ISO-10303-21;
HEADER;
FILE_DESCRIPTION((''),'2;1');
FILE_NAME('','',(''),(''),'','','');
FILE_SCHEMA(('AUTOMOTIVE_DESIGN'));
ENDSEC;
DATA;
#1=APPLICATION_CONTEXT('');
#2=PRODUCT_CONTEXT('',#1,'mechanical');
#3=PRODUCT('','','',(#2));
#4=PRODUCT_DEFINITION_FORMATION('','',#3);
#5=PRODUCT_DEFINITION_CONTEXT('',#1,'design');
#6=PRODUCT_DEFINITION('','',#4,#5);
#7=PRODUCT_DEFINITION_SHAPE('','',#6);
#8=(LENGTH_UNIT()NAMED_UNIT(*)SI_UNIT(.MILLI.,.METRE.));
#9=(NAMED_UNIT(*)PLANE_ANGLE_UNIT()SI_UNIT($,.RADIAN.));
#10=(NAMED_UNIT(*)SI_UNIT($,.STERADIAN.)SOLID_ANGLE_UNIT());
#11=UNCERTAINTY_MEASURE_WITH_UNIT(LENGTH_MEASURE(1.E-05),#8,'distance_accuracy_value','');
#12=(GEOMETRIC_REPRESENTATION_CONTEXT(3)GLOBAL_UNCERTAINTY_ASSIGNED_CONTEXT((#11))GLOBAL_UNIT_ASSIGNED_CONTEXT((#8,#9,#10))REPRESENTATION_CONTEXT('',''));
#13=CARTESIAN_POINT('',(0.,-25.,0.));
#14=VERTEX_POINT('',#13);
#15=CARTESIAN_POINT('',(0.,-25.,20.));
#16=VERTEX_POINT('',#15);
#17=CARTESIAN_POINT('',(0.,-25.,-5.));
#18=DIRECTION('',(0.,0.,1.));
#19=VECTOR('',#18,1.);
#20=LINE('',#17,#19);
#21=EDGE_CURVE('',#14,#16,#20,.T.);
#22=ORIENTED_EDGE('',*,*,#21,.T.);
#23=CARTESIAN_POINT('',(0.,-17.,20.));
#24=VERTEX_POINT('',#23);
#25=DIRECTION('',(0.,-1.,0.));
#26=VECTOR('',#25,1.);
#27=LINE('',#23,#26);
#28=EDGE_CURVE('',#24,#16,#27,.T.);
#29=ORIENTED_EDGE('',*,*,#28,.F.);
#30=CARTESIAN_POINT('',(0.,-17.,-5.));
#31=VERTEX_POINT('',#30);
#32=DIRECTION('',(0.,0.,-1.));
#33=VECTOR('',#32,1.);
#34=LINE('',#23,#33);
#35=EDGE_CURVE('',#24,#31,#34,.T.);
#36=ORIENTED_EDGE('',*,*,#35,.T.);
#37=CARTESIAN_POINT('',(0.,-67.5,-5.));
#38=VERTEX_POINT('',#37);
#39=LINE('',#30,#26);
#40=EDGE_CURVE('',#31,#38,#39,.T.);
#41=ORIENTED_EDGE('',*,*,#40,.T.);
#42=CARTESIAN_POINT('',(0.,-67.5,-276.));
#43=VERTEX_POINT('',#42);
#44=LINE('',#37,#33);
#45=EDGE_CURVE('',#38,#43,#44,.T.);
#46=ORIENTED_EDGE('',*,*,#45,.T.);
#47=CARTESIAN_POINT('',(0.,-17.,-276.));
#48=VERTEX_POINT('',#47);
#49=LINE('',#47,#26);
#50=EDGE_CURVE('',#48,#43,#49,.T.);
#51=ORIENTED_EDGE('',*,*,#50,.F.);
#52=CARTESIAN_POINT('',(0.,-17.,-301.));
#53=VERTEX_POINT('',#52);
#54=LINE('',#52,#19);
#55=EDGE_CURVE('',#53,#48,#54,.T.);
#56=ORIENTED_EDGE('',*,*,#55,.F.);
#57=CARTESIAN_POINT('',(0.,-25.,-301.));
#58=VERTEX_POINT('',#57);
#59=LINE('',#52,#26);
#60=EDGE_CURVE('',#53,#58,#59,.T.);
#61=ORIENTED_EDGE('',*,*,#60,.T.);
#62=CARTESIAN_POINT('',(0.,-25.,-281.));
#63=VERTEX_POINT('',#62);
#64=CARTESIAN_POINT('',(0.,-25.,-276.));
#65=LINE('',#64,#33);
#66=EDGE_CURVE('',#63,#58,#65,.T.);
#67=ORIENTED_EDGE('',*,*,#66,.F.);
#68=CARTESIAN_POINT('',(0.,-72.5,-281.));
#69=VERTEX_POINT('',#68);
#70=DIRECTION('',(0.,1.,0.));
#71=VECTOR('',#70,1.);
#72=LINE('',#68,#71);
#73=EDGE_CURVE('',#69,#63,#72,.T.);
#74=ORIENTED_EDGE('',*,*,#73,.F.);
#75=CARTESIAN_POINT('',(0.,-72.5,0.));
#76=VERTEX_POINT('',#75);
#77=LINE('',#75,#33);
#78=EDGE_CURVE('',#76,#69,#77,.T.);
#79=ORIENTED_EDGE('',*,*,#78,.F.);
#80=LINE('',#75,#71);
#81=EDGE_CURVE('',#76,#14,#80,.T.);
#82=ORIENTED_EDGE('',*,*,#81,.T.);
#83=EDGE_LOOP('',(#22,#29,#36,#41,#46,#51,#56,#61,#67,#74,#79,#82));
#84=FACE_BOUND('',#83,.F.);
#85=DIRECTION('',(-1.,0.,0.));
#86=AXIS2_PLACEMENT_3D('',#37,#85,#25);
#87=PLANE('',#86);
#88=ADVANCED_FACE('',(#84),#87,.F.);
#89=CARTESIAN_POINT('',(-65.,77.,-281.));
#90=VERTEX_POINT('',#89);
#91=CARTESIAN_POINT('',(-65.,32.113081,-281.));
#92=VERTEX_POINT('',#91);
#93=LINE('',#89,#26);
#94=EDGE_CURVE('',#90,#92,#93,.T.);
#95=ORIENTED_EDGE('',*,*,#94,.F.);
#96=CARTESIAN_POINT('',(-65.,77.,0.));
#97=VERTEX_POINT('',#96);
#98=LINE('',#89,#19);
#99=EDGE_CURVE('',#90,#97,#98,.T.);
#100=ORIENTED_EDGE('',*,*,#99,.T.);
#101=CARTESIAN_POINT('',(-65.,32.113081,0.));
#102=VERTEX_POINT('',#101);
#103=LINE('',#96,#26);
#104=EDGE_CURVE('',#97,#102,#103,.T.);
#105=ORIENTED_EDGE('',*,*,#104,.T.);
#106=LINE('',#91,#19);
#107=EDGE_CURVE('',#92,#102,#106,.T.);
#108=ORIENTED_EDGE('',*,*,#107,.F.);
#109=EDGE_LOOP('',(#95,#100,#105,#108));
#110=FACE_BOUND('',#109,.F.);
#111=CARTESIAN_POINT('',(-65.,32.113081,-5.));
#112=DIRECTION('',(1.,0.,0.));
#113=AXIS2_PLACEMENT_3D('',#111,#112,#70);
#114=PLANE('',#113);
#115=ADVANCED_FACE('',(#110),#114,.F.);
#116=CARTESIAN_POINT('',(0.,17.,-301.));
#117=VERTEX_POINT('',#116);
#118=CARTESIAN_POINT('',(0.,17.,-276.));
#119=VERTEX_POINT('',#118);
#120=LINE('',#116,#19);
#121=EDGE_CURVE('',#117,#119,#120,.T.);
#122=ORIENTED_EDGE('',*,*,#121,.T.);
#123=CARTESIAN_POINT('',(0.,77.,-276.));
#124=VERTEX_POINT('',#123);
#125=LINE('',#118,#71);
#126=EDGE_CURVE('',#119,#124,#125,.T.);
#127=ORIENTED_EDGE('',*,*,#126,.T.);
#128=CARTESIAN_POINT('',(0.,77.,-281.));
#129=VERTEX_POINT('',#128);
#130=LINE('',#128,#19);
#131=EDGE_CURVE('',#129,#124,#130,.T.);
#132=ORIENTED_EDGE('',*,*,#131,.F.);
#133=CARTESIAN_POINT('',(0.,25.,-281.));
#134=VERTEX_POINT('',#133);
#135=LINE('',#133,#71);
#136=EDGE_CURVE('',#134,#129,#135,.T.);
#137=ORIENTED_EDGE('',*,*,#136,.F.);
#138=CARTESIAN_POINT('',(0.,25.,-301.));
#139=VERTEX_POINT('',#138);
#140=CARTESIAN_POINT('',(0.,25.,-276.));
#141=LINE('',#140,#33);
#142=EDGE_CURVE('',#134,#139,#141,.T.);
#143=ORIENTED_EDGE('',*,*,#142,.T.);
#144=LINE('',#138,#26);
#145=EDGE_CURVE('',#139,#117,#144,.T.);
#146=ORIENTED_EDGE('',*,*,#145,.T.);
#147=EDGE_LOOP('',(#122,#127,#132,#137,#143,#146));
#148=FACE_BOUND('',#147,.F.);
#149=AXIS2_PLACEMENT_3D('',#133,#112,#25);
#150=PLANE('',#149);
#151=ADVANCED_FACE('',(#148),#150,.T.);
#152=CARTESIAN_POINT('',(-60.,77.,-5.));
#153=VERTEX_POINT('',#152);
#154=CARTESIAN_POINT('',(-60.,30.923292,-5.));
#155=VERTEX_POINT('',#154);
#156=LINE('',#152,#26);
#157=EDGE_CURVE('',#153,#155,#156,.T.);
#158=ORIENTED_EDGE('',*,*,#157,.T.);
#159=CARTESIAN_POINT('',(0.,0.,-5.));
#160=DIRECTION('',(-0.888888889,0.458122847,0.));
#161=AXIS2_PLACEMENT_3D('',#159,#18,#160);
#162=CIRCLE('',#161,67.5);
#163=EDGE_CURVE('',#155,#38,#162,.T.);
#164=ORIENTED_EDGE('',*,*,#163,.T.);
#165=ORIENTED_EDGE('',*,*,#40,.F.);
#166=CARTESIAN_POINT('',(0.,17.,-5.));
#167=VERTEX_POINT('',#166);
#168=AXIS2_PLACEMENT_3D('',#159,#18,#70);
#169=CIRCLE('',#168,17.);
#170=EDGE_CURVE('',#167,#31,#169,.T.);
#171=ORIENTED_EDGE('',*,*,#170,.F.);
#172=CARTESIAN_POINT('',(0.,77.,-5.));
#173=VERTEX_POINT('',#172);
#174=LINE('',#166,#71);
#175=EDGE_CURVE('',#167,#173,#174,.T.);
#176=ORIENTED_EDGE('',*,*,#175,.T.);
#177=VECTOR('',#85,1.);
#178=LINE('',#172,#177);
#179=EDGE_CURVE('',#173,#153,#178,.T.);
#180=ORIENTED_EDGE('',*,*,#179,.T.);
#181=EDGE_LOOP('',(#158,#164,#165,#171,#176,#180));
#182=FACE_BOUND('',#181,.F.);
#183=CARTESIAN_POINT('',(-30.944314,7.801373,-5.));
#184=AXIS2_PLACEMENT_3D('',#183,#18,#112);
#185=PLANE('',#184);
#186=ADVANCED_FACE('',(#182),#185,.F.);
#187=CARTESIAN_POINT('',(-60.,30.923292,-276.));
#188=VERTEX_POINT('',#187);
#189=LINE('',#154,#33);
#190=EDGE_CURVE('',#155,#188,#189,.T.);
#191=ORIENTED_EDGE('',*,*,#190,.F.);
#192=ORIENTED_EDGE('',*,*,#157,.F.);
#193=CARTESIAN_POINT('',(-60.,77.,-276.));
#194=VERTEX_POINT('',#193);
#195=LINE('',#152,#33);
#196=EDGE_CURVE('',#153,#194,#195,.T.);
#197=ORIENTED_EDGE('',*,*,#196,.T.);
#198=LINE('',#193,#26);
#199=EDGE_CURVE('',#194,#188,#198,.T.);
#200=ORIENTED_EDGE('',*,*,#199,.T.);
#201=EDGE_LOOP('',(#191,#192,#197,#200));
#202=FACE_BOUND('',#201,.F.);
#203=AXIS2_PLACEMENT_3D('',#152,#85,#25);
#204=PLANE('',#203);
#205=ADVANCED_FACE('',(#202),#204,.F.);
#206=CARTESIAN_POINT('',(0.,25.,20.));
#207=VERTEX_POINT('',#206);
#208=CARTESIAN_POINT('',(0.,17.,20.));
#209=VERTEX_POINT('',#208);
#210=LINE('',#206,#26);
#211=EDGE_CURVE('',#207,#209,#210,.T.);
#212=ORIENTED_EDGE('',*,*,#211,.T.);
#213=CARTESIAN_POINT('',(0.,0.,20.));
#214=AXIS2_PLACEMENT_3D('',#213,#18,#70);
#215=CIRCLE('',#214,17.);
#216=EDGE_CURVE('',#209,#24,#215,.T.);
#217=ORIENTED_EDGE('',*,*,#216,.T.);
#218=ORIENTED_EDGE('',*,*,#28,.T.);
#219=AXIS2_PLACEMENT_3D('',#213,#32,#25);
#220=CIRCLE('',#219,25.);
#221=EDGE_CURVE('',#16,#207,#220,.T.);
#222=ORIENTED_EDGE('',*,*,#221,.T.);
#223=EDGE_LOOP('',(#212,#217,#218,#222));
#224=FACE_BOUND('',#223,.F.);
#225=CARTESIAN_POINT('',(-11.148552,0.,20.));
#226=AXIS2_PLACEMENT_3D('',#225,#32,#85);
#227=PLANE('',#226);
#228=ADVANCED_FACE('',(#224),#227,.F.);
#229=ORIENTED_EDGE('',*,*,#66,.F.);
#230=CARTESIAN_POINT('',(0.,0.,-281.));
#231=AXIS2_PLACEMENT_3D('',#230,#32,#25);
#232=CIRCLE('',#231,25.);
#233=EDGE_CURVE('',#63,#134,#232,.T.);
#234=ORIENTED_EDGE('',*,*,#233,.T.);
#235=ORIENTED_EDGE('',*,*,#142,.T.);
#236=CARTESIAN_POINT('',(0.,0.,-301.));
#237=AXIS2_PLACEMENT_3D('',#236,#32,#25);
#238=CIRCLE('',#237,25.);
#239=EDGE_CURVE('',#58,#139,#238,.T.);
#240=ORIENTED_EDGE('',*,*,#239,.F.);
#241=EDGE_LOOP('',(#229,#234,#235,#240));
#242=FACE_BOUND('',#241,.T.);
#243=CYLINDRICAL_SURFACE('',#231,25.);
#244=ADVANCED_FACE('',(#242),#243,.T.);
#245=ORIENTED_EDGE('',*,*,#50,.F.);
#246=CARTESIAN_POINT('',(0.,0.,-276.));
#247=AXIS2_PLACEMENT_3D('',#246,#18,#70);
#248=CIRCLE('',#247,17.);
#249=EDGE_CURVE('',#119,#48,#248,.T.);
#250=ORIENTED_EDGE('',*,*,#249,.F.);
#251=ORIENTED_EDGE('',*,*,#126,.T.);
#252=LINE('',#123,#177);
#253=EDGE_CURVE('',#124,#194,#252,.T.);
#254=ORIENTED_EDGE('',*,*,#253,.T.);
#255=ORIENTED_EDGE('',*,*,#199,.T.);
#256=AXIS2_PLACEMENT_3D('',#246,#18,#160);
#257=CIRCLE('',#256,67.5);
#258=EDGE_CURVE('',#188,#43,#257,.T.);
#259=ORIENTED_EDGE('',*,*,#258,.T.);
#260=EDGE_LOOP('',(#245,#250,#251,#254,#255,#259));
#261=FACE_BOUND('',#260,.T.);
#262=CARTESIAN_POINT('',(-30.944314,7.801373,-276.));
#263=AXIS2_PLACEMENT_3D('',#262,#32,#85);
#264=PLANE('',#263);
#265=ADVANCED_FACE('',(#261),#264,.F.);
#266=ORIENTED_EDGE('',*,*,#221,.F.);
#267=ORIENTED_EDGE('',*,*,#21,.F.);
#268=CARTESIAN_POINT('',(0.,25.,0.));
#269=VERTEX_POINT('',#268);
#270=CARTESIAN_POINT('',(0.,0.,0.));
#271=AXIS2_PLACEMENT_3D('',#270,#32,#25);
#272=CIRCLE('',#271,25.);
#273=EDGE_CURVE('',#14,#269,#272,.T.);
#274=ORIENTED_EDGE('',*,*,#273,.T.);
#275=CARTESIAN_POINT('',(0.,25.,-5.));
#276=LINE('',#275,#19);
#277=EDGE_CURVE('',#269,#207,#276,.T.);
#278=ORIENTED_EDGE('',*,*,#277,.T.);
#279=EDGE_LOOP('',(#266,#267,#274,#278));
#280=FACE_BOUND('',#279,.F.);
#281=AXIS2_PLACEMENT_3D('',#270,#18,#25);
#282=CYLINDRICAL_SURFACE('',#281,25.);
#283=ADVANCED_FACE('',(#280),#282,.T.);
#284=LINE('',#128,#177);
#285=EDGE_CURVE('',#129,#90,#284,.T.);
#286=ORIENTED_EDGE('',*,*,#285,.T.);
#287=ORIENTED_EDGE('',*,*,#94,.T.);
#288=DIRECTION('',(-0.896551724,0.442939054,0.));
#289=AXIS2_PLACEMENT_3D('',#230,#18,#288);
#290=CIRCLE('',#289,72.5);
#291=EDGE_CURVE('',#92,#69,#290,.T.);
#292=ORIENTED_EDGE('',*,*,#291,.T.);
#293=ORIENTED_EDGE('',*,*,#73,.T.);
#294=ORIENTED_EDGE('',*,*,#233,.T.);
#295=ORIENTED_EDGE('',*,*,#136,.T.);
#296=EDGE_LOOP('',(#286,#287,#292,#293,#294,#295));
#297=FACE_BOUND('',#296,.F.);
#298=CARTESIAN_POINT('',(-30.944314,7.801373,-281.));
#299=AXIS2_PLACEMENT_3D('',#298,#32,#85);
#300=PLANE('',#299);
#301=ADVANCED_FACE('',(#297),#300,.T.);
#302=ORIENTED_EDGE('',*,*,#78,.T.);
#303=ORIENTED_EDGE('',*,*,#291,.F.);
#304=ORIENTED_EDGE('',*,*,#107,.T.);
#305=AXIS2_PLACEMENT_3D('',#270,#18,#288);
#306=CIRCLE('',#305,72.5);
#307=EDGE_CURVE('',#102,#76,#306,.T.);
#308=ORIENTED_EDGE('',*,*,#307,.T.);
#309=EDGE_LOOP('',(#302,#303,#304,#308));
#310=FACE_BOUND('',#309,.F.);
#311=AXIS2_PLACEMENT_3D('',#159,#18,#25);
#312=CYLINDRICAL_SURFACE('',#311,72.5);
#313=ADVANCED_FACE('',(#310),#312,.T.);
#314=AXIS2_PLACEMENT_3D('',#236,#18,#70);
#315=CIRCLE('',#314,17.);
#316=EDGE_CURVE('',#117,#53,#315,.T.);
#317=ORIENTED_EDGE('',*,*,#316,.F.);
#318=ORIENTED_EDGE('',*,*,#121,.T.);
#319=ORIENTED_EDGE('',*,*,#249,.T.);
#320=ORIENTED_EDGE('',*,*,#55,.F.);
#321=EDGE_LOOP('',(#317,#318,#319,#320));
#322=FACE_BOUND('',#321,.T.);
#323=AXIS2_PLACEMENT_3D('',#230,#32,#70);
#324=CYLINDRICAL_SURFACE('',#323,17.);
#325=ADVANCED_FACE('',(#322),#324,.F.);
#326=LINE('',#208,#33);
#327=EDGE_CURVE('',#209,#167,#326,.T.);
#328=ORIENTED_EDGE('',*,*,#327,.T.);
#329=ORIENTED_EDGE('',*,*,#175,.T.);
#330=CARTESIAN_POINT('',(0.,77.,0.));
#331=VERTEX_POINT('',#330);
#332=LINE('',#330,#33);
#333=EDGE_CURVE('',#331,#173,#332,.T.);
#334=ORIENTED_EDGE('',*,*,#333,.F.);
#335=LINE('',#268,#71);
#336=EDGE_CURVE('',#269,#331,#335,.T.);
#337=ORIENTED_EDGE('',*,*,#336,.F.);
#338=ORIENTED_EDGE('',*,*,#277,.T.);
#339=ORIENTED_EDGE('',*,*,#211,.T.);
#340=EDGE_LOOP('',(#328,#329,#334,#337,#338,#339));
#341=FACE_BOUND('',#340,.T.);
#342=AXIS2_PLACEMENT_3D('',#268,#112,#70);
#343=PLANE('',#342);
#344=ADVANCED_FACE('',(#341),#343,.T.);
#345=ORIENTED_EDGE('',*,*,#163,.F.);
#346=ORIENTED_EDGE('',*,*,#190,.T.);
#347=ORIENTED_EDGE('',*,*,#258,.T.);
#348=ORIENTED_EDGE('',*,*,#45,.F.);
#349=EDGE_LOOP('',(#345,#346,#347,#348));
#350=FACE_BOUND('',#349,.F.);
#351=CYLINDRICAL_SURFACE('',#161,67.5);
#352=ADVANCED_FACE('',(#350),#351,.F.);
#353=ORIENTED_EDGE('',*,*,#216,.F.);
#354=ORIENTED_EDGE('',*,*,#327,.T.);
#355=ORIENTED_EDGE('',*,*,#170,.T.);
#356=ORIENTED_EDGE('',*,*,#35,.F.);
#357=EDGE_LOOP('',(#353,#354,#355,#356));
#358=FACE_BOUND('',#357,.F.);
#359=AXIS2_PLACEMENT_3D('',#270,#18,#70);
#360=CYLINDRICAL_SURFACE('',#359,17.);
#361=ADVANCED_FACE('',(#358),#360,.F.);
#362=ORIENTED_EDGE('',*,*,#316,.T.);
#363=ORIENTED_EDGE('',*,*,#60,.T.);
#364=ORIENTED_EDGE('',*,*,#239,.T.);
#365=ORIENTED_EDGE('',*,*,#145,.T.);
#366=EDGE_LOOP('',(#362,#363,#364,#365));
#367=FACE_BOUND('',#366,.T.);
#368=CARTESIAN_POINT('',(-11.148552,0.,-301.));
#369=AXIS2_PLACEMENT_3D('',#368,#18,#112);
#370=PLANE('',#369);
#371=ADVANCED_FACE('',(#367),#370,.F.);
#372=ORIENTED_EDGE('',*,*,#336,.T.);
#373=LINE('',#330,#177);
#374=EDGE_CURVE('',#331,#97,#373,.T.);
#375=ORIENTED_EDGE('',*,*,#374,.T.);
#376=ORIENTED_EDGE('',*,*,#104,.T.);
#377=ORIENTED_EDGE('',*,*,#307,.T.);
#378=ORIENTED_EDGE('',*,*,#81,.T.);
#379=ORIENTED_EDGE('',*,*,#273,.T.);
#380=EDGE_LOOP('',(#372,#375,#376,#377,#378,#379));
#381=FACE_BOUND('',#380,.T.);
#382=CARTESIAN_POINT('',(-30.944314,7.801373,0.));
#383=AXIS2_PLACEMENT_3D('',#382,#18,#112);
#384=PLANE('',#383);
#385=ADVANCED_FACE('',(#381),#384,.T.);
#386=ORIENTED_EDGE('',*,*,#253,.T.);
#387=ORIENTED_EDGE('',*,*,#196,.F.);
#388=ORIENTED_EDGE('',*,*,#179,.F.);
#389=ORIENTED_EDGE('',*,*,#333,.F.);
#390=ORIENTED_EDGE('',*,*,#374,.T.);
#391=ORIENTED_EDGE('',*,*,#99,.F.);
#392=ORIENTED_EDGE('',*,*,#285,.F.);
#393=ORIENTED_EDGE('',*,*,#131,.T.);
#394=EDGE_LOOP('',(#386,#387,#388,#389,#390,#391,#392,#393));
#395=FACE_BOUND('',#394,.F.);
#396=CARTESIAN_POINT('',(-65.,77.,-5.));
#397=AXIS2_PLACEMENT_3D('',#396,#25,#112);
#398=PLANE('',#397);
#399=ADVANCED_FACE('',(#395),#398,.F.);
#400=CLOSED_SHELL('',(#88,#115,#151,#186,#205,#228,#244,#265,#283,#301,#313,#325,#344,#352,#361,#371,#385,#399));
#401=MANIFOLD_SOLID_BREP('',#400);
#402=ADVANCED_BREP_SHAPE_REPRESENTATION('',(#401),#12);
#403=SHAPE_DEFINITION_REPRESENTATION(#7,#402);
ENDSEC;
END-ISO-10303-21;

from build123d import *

# Parameters (mm, degrees)
BOSS_EXTRUDE1_DEPTH      = 20
BOSS_EXTRUDE1_DEPTH_BACK = 5
BOSS_EXTRUDE2_DEPTH      = 5
BOSS_EXTRUDE3_DEPTH      = 271


with BuildPart() as part:
    # Sketch1 → Boss-Extrude1 (new body, two sides)
    with BuildSketch(Plane.XY) as boss_extrude1_sk:
        with BuildLine():
            Line((0, 25), (0, 17))
            ThreePointArc((0, 17), (-17, 0), (0, -17))
            Line((0, -17), (0, -25))
            ThreePointArc((0, -25), (-25, 0), (0, 25))
        make_face()
    extrude(amount=BOSS_EXTRUDE1_DEPTH)
    extrude(boss_extrude1_sk.sketch, amount=-BOSS_EXTRUDE1_DEPTH_BACK)

    # Sketch2 → Boss-Extrude2 (add)
    with BuildSketch(Plane.XY):
        with BuildLine():
            Line((0, 25), (0, 77))
            Line((0, 77), (-65, 77))
            Line((-65, 77), (-65, 32.113081447))
            ThreePointArc((-65, 32.113081447), (-61.581037686, -38.262590053), (0, -72.5))
            Line((0, -72.5), (0, -25))
            ThreePointArc((0, -25), (-25, 0), (0, 25))
        make_face()
    extrude(amount=-BOSS_EXTRUDE2_DEPTH)


with BuildPart() as body_2:
    # Mirror2: mirrored copy
    add(part.part.mirror(Plane.XY.offset(-140.5)))


with BuildPart() as part_1:
    add(part.part)

    add(body_2.part)  # Boss-Extrude3 merges body 2
    # Sketch3 → Boss-Extrude3 (add)
    with BuildSketch(Plane(origin=(0, 0, -5), x_dir=(-1, 0, 0), z_dir=(0, 0, -1))):
        with BuildLine():
            Line((60, 77), (60, 30.923292192))
            ThreePointArc((60, 30.923292192), (57.634938288, -35.134938288), (0, -67.5))
            Line((0, -67.5), (0, -72.5))
            ThreePointArc((0, -72.5), (61.581037686, -38.262590053), (65, 32.113081447))
            Line((65, 32.113081447), (65, 77))
            Line((65, 77), (60, 77))
        make_face()
    extrude(amount=BOSS_EXTRUDE3_DEPTH)


solid = part_1.part
